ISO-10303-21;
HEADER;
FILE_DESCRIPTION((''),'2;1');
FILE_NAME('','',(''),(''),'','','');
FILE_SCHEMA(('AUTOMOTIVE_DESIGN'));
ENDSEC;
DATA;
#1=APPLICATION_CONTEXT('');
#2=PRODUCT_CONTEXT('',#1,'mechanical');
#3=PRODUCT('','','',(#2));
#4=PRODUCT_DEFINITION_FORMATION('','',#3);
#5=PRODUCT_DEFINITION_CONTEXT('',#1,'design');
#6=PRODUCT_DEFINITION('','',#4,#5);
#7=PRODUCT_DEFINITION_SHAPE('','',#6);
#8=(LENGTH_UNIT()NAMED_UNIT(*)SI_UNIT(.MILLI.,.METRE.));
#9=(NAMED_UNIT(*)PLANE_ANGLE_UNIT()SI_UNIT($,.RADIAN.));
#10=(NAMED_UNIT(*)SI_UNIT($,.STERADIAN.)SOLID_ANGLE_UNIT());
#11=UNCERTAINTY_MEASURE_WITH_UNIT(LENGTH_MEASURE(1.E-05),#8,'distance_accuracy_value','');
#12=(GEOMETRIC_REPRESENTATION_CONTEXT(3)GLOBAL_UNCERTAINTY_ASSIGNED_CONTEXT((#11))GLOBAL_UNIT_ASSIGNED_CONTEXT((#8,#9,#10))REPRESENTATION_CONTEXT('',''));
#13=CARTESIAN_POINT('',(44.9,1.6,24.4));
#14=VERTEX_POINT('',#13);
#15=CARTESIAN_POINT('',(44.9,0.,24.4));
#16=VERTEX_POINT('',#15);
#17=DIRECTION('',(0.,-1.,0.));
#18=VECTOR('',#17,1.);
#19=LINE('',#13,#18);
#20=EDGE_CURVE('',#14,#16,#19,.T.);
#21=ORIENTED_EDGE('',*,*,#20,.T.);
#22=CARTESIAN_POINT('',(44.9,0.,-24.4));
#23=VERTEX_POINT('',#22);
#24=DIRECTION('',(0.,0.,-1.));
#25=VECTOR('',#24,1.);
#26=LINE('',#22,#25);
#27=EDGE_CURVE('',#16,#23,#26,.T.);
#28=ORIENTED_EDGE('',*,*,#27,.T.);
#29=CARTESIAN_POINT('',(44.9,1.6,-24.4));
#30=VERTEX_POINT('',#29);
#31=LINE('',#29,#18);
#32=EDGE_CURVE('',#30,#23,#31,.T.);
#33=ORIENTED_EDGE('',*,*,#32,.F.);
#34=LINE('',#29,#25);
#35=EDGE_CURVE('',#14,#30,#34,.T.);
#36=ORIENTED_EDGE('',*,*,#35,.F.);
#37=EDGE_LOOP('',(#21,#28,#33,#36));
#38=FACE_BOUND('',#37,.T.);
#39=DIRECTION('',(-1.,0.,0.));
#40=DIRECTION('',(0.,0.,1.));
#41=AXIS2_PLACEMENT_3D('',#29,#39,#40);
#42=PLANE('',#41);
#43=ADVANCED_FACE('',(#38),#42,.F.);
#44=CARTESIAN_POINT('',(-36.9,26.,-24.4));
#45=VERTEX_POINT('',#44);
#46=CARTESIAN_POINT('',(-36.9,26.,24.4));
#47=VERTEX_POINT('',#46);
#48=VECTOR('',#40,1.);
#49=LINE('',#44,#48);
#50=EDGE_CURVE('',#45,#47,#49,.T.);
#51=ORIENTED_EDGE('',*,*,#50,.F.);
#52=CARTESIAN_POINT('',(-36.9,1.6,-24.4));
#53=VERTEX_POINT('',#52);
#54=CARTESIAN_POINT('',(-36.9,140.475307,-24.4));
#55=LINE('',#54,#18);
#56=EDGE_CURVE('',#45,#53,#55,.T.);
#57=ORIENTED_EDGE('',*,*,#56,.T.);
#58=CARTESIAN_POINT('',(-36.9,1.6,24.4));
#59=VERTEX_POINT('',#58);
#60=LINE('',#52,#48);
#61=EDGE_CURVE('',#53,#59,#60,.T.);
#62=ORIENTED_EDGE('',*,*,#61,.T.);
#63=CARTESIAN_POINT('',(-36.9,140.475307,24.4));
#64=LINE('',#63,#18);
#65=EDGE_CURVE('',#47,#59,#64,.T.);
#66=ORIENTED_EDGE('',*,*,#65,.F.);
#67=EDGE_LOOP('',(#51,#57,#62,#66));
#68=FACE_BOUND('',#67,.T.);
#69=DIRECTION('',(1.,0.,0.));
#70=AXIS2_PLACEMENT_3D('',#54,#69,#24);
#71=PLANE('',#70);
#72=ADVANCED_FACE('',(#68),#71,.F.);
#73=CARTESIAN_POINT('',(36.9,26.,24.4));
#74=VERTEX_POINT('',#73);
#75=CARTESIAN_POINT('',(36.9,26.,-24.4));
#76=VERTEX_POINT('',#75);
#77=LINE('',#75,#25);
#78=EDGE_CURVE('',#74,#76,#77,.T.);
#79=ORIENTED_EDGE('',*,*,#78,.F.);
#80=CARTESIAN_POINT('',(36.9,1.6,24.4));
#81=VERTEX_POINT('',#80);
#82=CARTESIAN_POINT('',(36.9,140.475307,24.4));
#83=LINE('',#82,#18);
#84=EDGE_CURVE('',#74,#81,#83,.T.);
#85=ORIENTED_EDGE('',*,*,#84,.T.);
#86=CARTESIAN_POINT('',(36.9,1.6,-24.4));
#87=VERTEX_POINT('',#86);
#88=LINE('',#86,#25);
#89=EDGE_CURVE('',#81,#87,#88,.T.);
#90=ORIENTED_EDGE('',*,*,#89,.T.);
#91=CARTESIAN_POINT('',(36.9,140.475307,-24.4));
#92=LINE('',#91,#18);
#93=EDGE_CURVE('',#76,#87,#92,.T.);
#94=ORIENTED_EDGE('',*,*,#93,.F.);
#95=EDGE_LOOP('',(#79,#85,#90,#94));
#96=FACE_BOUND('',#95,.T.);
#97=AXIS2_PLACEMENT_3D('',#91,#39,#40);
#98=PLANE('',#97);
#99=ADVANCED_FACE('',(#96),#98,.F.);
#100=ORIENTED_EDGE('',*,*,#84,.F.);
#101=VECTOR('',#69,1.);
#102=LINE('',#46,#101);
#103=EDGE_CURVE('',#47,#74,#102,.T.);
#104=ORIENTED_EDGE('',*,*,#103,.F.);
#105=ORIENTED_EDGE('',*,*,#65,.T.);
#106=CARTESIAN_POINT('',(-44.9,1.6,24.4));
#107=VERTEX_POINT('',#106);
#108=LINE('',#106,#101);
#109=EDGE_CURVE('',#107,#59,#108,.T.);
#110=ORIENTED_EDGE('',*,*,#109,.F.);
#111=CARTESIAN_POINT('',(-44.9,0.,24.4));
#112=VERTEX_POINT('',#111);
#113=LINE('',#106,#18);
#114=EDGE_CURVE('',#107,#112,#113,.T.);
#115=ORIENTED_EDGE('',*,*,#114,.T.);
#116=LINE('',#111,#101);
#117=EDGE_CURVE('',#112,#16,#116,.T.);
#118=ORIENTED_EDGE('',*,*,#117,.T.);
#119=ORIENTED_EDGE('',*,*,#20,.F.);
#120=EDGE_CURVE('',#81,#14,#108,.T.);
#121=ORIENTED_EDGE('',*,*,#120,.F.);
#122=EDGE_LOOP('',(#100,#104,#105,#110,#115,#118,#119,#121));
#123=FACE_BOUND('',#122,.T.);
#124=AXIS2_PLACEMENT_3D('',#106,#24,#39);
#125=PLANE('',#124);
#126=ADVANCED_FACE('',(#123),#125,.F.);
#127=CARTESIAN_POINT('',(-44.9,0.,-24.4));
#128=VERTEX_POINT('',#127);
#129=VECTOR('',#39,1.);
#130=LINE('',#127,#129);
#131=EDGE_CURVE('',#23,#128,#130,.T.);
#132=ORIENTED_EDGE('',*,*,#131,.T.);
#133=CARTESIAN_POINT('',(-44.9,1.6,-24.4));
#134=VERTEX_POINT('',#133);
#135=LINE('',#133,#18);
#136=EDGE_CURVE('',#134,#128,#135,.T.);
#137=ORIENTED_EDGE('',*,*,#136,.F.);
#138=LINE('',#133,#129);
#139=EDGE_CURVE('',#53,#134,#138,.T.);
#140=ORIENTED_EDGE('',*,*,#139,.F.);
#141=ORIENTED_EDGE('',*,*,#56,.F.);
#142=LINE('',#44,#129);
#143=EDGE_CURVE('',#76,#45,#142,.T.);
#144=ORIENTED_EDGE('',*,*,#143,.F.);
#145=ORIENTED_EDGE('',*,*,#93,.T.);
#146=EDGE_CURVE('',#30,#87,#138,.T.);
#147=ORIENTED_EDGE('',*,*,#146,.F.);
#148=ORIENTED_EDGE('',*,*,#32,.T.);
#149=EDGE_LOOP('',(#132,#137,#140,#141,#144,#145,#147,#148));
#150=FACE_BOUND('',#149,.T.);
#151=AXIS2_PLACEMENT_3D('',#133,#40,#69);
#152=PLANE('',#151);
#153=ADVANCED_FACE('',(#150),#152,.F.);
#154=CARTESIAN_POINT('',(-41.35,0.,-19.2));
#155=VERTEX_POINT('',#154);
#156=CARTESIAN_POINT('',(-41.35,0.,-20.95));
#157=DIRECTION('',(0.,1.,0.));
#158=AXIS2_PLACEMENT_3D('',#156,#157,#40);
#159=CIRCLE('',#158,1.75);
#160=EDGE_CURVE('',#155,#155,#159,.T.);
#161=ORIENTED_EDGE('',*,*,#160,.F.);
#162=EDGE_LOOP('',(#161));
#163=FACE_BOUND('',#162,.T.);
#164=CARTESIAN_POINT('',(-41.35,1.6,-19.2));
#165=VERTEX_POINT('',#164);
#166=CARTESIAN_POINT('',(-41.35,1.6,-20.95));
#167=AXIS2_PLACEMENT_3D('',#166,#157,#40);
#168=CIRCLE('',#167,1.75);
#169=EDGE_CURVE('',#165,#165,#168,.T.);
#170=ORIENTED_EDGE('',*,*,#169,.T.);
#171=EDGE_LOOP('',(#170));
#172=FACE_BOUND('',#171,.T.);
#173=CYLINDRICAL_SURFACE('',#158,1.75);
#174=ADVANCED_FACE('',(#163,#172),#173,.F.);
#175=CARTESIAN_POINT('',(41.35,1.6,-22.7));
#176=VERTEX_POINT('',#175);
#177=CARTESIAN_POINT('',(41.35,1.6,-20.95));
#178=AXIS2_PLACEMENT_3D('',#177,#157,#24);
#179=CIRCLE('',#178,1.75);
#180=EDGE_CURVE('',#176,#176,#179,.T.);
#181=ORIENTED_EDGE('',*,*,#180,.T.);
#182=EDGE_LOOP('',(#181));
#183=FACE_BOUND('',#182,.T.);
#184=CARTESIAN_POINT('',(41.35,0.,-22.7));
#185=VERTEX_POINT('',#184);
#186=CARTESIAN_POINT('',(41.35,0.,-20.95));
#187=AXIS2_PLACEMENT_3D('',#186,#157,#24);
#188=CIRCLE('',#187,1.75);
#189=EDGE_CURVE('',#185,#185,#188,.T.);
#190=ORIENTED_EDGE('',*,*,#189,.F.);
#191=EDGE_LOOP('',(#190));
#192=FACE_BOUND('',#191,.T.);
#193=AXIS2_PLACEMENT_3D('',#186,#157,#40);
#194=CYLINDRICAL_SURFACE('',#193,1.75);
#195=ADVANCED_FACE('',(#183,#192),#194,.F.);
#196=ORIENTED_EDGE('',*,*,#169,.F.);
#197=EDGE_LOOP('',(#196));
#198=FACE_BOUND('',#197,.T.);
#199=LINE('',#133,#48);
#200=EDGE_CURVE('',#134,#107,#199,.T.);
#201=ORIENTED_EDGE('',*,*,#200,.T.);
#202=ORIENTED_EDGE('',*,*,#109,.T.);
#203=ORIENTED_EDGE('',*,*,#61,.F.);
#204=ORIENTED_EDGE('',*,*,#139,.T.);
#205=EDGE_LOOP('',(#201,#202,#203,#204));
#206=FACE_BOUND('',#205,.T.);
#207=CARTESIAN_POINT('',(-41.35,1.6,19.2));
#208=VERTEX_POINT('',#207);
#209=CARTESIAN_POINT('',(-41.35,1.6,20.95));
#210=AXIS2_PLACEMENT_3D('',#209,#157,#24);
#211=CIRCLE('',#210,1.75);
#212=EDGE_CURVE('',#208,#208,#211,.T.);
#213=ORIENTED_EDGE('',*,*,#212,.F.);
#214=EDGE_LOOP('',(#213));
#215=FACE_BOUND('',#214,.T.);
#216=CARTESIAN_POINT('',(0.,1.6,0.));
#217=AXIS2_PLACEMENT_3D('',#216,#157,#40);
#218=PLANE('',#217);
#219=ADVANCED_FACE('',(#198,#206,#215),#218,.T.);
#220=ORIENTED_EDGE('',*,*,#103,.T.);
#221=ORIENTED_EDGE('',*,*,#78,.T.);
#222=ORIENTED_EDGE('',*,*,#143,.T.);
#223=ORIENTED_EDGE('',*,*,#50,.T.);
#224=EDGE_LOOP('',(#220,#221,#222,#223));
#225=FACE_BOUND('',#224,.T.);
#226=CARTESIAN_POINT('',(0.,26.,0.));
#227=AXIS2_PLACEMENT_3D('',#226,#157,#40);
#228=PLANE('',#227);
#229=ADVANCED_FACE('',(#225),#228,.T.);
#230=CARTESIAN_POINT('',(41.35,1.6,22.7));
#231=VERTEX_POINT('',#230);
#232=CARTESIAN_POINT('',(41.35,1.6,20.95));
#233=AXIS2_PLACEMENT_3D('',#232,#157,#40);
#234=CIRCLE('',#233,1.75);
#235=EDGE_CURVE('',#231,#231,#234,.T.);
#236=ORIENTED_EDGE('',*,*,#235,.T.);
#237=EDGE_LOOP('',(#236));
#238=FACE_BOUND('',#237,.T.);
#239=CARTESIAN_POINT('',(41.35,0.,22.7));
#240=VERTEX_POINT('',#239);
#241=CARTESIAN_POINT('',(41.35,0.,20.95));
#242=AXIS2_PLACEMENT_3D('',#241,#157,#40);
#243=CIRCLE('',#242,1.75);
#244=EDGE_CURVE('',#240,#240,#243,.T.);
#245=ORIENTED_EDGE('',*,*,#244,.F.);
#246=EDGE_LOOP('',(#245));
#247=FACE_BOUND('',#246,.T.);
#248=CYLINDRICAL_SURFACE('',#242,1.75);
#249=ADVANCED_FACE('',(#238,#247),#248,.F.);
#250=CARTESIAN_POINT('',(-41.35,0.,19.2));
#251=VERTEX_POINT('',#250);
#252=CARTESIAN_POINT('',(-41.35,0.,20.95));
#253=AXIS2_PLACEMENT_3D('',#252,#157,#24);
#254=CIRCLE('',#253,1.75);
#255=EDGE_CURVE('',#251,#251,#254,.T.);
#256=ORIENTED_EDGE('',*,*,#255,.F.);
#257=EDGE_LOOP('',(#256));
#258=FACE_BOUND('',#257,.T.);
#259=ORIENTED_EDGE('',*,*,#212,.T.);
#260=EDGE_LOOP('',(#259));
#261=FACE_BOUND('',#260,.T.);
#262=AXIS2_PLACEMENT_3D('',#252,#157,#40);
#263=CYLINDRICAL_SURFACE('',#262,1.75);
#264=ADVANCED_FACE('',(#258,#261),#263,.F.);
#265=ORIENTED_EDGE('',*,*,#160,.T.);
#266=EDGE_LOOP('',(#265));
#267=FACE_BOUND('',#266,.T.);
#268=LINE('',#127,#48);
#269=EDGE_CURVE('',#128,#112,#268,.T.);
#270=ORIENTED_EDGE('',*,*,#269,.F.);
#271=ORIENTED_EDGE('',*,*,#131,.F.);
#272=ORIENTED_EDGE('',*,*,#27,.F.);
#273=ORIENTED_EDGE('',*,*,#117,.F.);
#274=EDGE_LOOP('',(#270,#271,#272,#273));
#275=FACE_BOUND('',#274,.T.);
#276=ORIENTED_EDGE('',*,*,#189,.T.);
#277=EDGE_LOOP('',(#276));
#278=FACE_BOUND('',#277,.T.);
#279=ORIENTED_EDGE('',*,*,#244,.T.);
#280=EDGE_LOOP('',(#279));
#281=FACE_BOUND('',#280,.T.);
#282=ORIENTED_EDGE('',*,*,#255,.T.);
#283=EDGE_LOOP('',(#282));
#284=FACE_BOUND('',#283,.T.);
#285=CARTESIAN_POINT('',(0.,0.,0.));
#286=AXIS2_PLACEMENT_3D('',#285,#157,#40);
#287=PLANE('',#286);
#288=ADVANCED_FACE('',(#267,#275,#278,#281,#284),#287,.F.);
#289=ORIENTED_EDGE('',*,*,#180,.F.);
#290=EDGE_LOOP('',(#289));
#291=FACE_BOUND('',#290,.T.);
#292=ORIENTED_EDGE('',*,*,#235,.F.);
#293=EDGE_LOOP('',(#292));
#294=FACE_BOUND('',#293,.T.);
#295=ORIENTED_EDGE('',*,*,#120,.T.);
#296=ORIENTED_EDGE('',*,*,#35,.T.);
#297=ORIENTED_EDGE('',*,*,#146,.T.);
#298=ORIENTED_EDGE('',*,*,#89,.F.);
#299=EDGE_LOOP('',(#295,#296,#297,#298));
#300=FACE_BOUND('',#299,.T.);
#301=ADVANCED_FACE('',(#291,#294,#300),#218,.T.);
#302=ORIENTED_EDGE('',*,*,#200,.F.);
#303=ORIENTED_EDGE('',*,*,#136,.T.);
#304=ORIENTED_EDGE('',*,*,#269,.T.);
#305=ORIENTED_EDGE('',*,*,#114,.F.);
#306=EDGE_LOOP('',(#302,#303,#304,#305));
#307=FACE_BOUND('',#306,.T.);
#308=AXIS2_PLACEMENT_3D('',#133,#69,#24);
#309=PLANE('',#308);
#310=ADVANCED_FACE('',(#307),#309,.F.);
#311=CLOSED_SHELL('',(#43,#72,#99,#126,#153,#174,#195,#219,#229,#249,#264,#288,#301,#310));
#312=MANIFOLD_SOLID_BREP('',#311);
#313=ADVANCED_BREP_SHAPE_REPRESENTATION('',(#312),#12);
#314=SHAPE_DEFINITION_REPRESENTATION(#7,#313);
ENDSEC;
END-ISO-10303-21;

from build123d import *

# Parameters (mm, degrees)
SKETCH_1_W          = 89.8
SKETCH_1_H          = 48.8
EXTRUDE_1_DEPTH     = 1.6
SKETCH_2_R          = 1.75
CUT_EXTRUDE_1_DEPTH = 1.6
SKETCH_3_W          = 73.8
SKETCH_3_H          = 48.8
EXTRUDE_2_DEPTH     = 24.4


with BuildPart() as part:
    # 草图1 → 凸台-拉伸1 (new body)
    with BuildSketch(Plane(origin=(0, 0, 0), x_dir=(1, 0, 0), z_dir=(0, 1, 0))):
        Rectangle(SKETCH_1_W, SKETCH_1_H)
    extrude(amount=EXTRUDE_1_DEPTH)

    # 草图2 → 切除-拉伸1 (cut)
    with BuildSketch(Plane(origin=(0, 1.6, 0), x_dir=(1, 0, 0), z_dir=(0, 1, 0))):
        with Locations(Location((-41.35, 20.95, 0), (0, 0, 270))):
            Circle(SKETCH_2_R)
        with Locations(Location((-41.35, -20.95, 0), (0, 0, 90))):
            Circle(SKETCH_2_R)
        with Locations(Location((41.35, -20.95, 0), (0, 0, 270))):
            Circle(SKETCH_2_R)
        with Locations(Location((41.35, 20.95, 0), (0, 0, 90))):
            Circle(SKETCH_2_R)
    extrude(amount=-CUT_EXTRUDE_1_DEPTH, mode=Mode.SUBTRACT)

    # 草图3 → 凸台-拉伸2 (add)
    with BuildSketch(Plane(origin=(0, 1.6, 0), x_dir=(1, 0, 0), z_dir=(0, 1, 0))):
        Rectangle(SKETCH_3_W, SKETCH_3_H)
    extrude(amount=EXTRUDE_2_DEPTH)


solid = part.part
